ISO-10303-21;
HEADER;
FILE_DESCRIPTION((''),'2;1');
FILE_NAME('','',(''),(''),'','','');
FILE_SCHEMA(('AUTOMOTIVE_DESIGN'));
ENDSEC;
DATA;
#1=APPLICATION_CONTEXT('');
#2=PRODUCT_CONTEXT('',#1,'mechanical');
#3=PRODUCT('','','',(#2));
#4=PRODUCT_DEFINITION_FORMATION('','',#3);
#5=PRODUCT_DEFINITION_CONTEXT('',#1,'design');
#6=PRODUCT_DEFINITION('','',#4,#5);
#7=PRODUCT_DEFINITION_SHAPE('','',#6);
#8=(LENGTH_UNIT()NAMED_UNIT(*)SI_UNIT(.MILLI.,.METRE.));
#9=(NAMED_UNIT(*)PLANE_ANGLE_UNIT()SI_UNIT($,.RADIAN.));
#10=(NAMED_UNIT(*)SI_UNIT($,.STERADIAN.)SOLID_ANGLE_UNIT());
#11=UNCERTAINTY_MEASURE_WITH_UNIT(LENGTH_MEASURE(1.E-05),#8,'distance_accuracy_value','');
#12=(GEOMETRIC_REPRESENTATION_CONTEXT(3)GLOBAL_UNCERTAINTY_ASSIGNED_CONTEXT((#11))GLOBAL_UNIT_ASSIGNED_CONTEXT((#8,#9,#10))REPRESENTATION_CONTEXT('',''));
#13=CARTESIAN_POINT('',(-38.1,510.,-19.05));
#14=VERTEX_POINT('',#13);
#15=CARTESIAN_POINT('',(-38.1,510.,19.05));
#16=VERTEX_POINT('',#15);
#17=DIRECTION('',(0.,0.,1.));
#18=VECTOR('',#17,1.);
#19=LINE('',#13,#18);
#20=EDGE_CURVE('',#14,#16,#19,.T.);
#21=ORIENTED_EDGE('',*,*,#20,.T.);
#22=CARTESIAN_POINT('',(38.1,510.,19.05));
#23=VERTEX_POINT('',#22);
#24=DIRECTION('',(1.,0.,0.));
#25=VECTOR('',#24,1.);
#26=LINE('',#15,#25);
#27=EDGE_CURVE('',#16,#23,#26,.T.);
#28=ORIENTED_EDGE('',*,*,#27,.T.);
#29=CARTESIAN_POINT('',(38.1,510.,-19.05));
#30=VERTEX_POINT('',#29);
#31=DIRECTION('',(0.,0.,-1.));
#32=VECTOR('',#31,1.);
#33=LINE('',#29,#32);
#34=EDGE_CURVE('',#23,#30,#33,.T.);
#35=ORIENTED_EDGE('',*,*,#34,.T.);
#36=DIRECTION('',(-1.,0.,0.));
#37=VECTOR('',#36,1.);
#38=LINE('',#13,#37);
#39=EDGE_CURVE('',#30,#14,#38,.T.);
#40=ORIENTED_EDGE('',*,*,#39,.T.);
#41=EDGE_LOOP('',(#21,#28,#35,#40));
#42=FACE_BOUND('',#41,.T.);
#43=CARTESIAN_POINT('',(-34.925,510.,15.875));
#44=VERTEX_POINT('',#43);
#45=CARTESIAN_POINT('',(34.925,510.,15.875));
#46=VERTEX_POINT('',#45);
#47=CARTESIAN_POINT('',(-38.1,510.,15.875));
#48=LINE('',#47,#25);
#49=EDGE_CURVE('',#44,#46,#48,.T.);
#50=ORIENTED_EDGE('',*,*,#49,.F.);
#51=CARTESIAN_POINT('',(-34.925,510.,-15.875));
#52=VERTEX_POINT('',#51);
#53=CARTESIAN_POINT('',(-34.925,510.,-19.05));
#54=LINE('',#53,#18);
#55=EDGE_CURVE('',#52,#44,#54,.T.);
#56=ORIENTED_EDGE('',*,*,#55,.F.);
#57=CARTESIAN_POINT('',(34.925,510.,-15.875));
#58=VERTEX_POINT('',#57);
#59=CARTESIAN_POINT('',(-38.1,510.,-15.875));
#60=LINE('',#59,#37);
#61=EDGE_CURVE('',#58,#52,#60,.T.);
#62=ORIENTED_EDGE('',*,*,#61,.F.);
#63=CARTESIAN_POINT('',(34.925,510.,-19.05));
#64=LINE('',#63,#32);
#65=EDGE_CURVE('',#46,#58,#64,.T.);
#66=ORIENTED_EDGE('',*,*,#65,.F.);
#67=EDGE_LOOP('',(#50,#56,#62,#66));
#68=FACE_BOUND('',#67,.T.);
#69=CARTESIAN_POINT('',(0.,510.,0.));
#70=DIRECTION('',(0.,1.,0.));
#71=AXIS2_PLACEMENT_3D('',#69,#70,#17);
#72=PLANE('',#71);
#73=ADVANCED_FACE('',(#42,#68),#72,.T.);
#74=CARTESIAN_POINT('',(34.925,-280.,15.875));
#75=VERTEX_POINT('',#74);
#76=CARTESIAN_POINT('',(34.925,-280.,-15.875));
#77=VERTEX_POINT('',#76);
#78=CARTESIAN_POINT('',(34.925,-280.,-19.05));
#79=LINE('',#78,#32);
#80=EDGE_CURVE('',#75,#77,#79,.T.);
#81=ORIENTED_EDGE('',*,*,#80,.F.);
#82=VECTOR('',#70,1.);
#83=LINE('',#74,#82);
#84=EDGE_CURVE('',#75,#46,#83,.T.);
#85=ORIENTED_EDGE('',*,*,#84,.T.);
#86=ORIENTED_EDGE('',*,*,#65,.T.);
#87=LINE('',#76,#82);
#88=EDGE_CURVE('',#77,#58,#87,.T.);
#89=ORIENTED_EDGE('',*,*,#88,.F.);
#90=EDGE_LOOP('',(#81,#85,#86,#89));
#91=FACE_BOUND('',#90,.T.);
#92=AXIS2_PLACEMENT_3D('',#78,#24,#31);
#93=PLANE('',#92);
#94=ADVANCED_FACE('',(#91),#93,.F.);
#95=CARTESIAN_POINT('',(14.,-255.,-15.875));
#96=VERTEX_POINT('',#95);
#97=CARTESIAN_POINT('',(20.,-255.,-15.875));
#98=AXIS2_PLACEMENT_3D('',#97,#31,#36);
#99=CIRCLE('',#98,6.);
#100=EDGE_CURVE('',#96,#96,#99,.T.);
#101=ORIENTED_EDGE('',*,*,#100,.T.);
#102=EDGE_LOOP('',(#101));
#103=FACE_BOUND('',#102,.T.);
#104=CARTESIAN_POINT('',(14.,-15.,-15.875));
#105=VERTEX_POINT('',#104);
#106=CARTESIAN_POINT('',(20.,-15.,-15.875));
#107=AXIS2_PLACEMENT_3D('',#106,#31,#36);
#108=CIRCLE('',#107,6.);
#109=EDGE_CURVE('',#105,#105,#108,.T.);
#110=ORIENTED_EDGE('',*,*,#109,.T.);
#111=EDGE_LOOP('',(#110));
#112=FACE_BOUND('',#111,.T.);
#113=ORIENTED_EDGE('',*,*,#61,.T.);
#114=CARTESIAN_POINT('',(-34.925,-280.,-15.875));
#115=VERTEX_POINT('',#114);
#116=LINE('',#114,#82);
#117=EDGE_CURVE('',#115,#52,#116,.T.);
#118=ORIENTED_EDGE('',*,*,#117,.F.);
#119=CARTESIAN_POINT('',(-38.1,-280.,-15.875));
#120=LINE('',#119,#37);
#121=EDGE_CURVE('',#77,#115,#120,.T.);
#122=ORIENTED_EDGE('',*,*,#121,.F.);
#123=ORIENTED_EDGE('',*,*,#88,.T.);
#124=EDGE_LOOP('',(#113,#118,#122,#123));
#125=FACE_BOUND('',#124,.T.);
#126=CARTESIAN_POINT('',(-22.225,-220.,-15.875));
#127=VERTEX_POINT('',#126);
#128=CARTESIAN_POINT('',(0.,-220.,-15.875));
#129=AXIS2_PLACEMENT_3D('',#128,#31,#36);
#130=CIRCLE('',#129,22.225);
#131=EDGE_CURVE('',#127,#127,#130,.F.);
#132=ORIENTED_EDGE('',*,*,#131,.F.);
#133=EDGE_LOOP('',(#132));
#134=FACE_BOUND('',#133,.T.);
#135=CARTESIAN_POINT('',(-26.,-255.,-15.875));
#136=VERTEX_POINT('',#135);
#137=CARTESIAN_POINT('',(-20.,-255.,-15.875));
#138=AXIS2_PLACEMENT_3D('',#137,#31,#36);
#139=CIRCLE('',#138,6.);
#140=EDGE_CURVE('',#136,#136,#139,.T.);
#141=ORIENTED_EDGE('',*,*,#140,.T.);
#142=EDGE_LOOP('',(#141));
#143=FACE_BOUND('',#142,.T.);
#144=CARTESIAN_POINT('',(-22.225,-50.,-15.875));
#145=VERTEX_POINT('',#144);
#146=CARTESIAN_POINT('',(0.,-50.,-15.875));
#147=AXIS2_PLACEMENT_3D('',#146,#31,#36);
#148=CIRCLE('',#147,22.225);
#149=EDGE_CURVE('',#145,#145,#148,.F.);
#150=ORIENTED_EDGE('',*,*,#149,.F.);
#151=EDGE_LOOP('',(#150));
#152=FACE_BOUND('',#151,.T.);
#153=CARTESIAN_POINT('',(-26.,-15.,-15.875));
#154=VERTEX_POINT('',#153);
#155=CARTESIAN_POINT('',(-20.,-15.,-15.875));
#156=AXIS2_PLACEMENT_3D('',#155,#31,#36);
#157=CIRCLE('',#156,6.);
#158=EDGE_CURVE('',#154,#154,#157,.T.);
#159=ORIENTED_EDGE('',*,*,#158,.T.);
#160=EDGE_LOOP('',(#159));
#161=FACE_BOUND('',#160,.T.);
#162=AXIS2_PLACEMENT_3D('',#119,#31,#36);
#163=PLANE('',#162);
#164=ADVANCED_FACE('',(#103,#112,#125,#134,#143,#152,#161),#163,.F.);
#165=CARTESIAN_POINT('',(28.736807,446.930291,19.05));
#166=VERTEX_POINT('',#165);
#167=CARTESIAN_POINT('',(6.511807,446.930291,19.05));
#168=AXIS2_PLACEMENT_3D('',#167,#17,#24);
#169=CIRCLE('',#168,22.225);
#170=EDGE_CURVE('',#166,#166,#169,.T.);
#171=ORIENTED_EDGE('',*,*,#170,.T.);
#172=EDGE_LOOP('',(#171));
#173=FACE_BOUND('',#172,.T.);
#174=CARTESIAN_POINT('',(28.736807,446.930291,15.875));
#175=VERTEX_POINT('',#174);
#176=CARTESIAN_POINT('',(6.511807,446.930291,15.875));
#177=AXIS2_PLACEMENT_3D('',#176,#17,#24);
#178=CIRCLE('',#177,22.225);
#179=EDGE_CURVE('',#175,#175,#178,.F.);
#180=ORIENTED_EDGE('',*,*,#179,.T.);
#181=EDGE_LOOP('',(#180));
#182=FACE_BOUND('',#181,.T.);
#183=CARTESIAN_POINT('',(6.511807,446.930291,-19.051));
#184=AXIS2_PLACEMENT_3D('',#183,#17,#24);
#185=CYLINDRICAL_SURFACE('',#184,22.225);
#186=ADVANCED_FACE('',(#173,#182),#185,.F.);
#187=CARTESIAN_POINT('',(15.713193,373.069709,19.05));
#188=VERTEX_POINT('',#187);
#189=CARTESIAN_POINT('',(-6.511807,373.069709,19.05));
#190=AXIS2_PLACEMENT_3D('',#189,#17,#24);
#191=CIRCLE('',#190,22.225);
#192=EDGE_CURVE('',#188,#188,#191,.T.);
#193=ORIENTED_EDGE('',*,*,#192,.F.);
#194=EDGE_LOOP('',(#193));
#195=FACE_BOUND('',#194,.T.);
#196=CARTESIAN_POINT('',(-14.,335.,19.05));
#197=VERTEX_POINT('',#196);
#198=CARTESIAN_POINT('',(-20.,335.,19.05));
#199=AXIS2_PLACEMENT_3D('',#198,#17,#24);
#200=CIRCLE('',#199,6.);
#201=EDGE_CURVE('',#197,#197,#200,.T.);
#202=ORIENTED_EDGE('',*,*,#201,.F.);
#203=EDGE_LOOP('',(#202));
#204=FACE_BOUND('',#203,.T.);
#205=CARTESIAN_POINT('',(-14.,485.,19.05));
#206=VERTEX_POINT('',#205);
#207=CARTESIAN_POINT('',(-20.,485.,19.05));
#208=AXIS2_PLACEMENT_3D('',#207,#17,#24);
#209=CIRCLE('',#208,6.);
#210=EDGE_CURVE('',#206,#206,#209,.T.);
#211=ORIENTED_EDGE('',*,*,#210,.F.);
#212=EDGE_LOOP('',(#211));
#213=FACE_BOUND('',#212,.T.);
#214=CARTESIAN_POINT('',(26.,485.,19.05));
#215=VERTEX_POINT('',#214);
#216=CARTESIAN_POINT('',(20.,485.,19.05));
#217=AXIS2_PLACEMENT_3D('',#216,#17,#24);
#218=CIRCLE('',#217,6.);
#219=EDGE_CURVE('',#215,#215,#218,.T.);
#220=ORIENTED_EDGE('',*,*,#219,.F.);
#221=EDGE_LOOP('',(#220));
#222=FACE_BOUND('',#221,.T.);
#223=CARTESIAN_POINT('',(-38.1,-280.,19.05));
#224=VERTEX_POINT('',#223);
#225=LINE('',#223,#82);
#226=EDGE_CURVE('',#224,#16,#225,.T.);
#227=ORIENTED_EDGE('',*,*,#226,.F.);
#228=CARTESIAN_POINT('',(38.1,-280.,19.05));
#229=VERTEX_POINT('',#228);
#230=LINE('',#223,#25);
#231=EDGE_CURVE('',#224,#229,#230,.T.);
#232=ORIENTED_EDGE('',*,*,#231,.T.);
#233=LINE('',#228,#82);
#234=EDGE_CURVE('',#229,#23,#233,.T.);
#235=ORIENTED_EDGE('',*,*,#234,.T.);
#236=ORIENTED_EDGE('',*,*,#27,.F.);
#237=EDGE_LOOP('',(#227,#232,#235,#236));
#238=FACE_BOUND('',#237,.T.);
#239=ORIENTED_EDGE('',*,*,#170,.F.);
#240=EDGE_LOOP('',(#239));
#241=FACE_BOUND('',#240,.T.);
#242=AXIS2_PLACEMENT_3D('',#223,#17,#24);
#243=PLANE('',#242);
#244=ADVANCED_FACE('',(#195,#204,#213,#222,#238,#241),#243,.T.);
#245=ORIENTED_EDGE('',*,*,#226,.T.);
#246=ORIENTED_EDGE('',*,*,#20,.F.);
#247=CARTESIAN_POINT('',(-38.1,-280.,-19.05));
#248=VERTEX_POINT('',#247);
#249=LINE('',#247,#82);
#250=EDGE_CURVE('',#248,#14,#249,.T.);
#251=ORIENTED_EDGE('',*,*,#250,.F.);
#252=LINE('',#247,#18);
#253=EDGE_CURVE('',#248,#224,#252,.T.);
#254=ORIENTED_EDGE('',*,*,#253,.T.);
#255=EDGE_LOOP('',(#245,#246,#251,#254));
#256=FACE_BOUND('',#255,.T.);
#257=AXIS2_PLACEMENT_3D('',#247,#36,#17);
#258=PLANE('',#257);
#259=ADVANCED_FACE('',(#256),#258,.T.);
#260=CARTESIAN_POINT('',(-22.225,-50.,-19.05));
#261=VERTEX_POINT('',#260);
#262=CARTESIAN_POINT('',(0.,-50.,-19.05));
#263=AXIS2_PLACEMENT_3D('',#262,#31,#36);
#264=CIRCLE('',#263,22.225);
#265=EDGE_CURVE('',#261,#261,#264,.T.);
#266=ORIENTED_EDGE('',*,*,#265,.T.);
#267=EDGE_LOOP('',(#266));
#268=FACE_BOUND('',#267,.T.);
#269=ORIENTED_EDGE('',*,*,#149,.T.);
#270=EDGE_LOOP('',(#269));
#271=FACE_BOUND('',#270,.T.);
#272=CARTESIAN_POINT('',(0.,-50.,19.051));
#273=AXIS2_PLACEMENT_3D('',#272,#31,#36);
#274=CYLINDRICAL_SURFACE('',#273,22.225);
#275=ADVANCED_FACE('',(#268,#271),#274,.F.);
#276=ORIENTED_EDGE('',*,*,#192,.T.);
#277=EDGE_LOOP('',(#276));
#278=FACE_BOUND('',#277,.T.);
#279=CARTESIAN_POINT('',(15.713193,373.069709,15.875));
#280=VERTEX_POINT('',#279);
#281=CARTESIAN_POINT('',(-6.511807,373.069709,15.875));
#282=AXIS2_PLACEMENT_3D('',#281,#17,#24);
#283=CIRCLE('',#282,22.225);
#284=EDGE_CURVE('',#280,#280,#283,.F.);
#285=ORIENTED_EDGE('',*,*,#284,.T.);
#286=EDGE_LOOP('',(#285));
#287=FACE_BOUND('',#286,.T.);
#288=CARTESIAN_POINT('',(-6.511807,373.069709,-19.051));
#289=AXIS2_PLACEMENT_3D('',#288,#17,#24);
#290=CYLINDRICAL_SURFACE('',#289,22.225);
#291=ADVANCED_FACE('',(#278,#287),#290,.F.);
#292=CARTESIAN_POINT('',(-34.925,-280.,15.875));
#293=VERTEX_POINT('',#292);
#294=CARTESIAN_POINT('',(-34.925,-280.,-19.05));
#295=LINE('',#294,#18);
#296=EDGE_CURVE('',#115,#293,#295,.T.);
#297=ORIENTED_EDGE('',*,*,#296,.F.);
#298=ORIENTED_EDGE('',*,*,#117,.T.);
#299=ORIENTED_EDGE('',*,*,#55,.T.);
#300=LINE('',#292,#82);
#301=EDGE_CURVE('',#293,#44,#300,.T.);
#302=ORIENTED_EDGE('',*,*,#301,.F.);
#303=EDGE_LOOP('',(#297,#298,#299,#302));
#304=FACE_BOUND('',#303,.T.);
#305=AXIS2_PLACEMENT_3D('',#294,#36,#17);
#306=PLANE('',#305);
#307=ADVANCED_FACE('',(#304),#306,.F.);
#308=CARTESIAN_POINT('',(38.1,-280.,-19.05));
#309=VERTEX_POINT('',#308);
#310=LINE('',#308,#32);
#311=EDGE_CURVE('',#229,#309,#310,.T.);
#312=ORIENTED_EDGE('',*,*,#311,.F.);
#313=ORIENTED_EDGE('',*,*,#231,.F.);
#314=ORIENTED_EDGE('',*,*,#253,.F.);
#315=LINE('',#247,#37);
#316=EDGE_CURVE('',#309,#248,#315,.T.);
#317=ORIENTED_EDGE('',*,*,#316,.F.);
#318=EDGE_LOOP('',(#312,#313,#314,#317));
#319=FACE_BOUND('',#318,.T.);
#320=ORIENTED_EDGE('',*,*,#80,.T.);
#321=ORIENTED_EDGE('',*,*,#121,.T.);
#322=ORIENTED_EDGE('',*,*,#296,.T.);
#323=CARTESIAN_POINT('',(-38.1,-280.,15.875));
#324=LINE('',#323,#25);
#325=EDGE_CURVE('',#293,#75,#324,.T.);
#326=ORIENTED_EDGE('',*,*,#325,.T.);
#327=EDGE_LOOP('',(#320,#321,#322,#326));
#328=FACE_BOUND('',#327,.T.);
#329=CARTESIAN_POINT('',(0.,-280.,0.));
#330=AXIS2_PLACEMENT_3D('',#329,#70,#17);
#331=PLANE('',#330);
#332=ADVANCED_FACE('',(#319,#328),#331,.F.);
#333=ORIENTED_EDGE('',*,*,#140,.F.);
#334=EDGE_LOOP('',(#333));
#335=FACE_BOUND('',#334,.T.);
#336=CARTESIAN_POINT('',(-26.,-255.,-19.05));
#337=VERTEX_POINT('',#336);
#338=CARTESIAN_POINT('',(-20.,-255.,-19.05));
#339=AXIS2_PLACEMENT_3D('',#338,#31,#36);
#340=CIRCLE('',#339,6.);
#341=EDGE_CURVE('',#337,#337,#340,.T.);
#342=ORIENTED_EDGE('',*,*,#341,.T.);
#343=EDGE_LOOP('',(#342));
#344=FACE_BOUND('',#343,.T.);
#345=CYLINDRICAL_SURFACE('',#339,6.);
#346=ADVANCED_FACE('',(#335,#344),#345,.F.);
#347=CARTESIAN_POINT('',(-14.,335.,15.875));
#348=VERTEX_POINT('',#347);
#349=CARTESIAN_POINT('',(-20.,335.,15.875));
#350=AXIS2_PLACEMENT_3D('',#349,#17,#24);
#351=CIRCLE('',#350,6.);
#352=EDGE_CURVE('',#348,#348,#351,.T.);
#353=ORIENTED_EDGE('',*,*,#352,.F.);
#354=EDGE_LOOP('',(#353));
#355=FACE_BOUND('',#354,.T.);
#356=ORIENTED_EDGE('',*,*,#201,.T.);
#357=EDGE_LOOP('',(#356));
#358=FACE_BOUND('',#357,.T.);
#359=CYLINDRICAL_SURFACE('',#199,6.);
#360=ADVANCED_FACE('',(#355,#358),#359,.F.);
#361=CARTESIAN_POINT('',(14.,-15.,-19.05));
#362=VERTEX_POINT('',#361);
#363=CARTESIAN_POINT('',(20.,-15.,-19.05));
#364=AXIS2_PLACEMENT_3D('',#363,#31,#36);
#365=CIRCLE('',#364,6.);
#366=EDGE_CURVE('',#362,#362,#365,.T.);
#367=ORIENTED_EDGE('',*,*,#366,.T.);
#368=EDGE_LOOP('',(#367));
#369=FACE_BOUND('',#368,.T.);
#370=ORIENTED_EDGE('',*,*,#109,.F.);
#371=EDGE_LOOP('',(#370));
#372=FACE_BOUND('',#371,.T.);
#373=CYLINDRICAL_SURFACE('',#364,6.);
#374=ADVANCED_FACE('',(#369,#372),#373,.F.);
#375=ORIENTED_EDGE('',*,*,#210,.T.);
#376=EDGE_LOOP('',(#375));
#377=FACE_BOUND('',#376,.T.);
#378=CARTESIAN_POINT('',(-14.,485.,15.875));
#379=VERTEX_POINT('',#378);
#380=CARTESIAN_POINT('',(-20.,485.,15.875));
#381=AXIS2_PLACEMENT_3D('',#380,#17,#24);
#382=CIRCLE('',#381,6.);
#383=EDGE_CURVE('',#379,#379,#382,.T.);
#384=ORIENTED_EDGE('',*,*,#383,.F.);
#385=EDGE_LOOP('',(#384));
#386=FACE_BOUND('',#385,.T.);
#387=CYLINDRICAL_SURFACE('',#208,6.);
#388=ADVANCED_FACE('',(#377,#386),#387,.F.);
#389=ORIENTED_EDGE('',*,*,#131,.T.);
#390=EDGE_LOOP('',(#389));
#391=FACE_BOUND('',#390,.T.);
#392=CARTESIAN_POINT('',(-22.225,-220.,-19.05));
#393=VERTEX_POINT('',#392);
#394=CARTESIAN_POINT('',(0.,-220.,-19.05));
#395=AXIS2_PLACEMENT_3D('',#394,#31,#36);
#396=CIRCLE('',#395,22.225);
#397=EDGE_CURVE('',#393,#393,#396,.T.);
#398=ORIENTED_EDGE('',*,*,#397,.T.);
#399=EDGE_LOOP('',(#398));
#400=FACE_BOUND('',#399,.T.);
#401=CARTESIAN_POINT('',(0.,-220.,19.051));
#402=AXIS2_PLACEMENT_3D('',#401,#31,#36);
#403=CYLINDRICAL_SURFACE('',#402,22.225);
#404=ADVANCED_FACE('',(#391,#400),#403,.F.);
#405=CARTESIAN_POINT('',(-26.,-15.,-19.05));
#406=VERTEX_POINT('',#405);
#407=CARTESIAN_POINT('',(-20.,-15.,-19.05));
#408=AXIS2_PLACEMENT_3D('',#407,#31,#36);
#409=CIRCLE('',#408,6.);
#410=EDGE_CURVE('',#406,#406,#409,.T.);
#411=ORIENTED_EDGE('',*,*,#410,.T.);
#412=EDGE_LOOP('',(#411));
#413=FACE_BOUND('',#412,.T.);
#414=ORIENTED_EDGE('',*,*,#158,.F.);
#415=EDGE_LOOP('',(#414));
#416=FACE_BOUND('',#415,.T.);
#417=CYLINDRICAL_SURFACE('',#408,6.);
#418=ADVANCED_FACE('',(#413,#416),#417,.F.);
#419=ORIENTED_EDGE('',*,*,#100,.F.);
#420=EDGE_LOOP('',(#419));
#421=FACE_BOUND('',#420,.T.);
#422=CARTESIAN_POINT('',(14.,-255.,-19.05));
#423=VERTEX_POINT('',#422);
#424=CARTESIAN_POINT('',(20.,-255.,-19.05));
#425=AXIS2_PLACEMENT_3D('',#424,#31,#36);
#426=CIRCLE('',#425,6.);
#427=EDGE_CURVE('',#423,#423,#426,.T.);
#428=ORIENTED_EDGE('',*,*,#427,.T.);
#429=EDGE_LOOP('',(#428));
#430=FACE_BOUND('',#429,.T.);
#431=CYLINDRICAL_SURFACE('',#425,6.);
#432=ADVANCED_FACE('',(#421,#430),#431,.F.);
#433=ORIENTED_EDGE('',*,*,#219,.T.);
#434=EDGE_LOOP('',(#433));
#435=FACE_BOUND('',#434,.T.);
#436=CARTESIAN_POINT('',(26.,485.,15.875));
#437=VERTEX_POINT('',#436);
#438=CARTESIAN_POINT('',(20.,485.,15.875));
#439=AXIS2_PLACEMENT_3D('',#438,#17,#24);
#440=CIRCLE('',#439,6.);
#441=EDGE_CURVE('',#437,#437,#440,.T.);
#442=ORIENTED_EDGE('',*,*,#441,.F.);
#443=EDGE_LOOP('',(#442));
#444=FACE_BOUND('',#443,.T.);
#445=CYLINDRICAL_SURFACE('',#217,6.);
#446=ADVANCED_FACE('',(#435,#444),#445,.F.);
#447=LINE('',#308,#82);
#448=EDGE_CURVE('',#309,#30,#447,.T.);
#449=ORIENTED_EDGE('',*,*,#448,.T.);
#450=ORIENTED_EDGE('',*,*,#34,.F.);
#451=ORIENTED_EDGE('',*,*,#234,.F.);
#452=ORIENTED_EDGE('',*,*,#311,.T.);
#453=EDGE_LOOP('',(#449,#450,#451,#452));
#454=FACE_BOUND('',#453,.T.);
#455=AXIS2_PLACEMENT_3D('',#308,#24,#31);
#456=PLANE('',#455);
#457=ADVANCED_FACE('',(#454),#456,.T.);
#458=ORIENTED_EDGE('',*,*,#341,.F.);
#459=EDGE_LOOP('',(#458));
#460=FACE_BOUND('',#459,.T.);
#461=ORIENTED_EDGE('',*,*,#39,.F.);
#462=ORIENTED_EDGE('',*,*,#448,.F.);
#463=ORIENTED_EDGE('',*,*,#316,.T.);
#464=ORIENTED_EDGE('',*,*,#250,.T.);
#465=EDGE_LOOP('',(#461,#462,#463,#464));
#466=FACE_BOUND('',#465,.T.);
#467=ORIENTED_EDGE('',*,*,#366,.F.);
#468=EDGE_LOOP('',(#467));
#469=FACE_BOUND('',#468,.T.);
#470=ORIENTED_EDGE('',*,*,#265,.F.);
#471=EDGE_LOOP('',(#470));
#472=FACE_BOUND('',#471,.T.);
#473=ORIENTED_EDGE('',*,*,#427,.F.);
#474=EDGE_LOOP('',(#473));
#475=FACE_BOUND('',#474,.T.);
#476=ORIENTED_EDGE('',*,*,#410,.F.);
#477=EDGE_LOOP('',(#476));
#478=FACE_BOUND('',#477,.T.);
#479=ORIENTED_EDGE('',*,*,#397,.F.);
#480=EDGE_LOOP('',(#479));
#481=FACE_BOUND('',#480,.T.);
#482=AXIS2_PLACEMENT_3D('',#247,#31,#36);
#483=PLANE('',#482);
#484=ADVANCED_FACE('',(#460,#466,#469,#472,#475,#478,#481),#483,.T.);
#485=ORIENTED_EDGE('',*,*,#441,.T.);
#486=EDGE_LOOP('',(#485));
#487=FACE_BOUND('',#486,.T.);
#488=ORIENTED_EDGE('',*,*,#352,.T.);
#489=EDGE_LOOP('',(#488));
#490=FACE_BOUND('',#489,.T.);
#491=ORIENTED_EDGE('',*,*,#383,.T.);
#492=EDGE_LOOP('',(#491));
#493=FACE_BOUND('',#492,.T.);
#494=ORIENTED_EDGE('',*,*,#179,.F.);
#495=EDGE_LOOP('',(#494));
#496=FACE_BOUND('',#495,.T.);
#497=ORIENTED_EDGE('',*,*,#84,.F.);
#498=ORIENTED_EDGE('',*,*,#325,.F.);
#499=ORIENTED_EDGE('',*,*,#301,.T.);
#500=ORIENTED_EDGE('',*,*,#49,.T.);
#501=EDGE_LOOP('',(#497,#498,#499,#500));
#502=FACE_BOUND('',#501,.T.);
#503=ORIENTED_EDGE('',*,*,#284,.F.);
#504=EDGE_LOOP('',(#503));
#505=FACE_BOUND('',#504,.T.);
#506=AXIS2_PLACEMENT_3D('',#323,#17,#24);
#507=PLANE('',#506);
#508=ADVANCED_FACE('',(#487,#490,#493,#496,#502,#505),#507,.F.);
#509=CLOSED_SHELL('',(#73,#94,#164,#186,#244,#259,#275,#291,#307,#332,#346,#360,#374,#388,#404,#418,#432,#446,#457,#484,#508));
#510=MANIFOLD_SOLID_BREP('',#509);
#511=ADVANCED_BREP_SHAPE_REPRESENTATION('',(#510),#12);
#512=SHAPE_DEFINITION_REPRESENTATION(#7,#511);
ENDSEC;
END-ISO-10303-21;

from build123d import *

# Parameters (mm, degrees)
EXTRUDE_THIN1_DEPTH            = 510
EXTRUDE_THIN1_DEPTH_BACK       = 280
SKETCH1_W                      = 76.2
SKETCH1_H                      = 38.1
SKETCH1_W_2                    = 69.85
SKETCH1_H_2                    = 31.75
CUT_EXTRUDE1_REACH             = 514.838
SKETCH6_R                      = 22.225
F_12_0_12_DIAMETER_HOLE2_D     = 12
F_12_0_12_DIAMETER_HOLE2_DEPTH = 3.175
F_12_0_12_DIAMETER_HOLE1_D     = 12
F_12_0_12_DIAMETER_HOLE1_DEPTH = 3.175
CUT_EXTRUDE2_REACH             = 514.838
SKETCH7_R                      = 22.225


with BuildPart() as part:
    # Sketch1 → Extrude-Thin1 (new, two sides: drawn at the far end of the back side and taken through both)
    with BuildSketch(Plane(origin=(0, 0, 0), x_dir=(1, 0, 0), z_dir=(0, 1, 0)).offset(-EXTRUDE_THIN1_DEPTH_BACK)):
        Rectangle(SKETCH1_W, SKETCH1_H)
        Rectangle(SKETCH1_W_2, SKETCH1_H_2, mode=Mode.SUBTRACT)
    extrude(amount=EXTRUDE_THIN1_DEPTH + EXTRUDE_THIN1_DEPTH_BACK)

    # Sketch6 → Cut-Extrude1 (cut, up to next)
    with BuildSketch(Plane.XY.offset(19.05), mode=Mode.PRIVATE) as cut_extrude1_sk1:
        with Locations((6.511806663, 446.930290738)):
            Circle(SKETCH6_R)
    cut_extrude1_tool1 = extrude(cut_extrude1_sk1.sketch, amount=-CUT_EXTRUDE1_REACH, mode=Mode.PRIVATE) & part.part
    # Sketch6 → Cut-Extrude1 (cut, up to next)
    with BuildSketch(Plane.XY.offset(19.05), mode=Mode.PRIVATE) as cut_extrude1_sk2:
        with Locations((-6.511806663, 373.069709262)):
            Circle(SKETCH6_R)
    cut_extrude1_tool2 = extrude(cut_extrude1_sk2.sketch, amount=-CUT_EXTRUDE1_REACH, mode=Mode.PRIVATE) & part.part
    add(cut_extrude1_tool1.solids().sort_by_distance((6.511807, 446.930291, 19.05))[0], mode=Mode.SUBTRACT)
    add(cut_extrude1_tool2.solids().sort_by_distance((-6.511807, 373.069709, 19.05))[0], mode=Mode.SUBTRACT)

    # Ø12.0 (12) Diameter Hole2
    with Locations(Plane.XY.offset(19.05)):
        with Locations((-20, 485), (20, 485), (-20, 335)):
            Hole(F_12_0_12_DIAMETER_HOLE2_D / 2, depth=F_12_0_12_DIAMETER_HOLE2_DEPTH)

    # Ø12.0 (12) Diameter Hole1
    with Locations(Plane(origin=(0, 0, -19.05), x_dir=(-1, 0, 0), z_dir=(0, 0, -1))):
        with Locations((-20, -15), (20, -255), (-20, -255), (20, -15)):
            Hole(F_12_0_12_DIAMETER_HOLE1_D / 2, depth=F_12_0_12_DIAMETER_HOLE1_DEPTH)

    # Sketch7 → Cut-Extrude2 (cut, up to next)
    with BuildSketch(Plane(origin=(0, 0, -19.05), x_dir=(-1, 0, 0), z_dir=(0, 0, -1)), mode=Mode.PRIVATE) as cut_extrude2_sk1:
        with Locations((0, -50)):
            Circle(SKETCH7_R)
    cut_extrude2_tool1 = extrude(cut_extrude2_sk1.sketch, amount=-CUT_EXTRUDE2_REACH, mode=Mode.PRIVATE) & part.part
    # Sketch7 → Cut-Extrude2 (cut, up to next)
    with BuildSketch(Plane(origin=(0, 0, -19.05), x_dir=(-1, 0, 0), z_dir=(0, 0, -1)), mode=Mode.PRIVATE) as cut_extrude2_sk2:
        with Locations((0, -220)):
            Circle(SKETCH7_R)
    cut_extrude2_tool2 = extrude(cut_extrude2_sk2.sketch, amount=-CUT_EXTRUDE2_REACH, mode=Mode.PRIVATE) & part.part
    add(cut_extrude2_tool1.solids().sort_by_distance((0, -50, -19.05))[0], mode=Mode.SUBTRACT)
    add(cut_extrude2_tool2.solids().sort_by_distance((0, -220, -19.05))[0], mode=Mode.SUBTRACT)


solid = part.part
